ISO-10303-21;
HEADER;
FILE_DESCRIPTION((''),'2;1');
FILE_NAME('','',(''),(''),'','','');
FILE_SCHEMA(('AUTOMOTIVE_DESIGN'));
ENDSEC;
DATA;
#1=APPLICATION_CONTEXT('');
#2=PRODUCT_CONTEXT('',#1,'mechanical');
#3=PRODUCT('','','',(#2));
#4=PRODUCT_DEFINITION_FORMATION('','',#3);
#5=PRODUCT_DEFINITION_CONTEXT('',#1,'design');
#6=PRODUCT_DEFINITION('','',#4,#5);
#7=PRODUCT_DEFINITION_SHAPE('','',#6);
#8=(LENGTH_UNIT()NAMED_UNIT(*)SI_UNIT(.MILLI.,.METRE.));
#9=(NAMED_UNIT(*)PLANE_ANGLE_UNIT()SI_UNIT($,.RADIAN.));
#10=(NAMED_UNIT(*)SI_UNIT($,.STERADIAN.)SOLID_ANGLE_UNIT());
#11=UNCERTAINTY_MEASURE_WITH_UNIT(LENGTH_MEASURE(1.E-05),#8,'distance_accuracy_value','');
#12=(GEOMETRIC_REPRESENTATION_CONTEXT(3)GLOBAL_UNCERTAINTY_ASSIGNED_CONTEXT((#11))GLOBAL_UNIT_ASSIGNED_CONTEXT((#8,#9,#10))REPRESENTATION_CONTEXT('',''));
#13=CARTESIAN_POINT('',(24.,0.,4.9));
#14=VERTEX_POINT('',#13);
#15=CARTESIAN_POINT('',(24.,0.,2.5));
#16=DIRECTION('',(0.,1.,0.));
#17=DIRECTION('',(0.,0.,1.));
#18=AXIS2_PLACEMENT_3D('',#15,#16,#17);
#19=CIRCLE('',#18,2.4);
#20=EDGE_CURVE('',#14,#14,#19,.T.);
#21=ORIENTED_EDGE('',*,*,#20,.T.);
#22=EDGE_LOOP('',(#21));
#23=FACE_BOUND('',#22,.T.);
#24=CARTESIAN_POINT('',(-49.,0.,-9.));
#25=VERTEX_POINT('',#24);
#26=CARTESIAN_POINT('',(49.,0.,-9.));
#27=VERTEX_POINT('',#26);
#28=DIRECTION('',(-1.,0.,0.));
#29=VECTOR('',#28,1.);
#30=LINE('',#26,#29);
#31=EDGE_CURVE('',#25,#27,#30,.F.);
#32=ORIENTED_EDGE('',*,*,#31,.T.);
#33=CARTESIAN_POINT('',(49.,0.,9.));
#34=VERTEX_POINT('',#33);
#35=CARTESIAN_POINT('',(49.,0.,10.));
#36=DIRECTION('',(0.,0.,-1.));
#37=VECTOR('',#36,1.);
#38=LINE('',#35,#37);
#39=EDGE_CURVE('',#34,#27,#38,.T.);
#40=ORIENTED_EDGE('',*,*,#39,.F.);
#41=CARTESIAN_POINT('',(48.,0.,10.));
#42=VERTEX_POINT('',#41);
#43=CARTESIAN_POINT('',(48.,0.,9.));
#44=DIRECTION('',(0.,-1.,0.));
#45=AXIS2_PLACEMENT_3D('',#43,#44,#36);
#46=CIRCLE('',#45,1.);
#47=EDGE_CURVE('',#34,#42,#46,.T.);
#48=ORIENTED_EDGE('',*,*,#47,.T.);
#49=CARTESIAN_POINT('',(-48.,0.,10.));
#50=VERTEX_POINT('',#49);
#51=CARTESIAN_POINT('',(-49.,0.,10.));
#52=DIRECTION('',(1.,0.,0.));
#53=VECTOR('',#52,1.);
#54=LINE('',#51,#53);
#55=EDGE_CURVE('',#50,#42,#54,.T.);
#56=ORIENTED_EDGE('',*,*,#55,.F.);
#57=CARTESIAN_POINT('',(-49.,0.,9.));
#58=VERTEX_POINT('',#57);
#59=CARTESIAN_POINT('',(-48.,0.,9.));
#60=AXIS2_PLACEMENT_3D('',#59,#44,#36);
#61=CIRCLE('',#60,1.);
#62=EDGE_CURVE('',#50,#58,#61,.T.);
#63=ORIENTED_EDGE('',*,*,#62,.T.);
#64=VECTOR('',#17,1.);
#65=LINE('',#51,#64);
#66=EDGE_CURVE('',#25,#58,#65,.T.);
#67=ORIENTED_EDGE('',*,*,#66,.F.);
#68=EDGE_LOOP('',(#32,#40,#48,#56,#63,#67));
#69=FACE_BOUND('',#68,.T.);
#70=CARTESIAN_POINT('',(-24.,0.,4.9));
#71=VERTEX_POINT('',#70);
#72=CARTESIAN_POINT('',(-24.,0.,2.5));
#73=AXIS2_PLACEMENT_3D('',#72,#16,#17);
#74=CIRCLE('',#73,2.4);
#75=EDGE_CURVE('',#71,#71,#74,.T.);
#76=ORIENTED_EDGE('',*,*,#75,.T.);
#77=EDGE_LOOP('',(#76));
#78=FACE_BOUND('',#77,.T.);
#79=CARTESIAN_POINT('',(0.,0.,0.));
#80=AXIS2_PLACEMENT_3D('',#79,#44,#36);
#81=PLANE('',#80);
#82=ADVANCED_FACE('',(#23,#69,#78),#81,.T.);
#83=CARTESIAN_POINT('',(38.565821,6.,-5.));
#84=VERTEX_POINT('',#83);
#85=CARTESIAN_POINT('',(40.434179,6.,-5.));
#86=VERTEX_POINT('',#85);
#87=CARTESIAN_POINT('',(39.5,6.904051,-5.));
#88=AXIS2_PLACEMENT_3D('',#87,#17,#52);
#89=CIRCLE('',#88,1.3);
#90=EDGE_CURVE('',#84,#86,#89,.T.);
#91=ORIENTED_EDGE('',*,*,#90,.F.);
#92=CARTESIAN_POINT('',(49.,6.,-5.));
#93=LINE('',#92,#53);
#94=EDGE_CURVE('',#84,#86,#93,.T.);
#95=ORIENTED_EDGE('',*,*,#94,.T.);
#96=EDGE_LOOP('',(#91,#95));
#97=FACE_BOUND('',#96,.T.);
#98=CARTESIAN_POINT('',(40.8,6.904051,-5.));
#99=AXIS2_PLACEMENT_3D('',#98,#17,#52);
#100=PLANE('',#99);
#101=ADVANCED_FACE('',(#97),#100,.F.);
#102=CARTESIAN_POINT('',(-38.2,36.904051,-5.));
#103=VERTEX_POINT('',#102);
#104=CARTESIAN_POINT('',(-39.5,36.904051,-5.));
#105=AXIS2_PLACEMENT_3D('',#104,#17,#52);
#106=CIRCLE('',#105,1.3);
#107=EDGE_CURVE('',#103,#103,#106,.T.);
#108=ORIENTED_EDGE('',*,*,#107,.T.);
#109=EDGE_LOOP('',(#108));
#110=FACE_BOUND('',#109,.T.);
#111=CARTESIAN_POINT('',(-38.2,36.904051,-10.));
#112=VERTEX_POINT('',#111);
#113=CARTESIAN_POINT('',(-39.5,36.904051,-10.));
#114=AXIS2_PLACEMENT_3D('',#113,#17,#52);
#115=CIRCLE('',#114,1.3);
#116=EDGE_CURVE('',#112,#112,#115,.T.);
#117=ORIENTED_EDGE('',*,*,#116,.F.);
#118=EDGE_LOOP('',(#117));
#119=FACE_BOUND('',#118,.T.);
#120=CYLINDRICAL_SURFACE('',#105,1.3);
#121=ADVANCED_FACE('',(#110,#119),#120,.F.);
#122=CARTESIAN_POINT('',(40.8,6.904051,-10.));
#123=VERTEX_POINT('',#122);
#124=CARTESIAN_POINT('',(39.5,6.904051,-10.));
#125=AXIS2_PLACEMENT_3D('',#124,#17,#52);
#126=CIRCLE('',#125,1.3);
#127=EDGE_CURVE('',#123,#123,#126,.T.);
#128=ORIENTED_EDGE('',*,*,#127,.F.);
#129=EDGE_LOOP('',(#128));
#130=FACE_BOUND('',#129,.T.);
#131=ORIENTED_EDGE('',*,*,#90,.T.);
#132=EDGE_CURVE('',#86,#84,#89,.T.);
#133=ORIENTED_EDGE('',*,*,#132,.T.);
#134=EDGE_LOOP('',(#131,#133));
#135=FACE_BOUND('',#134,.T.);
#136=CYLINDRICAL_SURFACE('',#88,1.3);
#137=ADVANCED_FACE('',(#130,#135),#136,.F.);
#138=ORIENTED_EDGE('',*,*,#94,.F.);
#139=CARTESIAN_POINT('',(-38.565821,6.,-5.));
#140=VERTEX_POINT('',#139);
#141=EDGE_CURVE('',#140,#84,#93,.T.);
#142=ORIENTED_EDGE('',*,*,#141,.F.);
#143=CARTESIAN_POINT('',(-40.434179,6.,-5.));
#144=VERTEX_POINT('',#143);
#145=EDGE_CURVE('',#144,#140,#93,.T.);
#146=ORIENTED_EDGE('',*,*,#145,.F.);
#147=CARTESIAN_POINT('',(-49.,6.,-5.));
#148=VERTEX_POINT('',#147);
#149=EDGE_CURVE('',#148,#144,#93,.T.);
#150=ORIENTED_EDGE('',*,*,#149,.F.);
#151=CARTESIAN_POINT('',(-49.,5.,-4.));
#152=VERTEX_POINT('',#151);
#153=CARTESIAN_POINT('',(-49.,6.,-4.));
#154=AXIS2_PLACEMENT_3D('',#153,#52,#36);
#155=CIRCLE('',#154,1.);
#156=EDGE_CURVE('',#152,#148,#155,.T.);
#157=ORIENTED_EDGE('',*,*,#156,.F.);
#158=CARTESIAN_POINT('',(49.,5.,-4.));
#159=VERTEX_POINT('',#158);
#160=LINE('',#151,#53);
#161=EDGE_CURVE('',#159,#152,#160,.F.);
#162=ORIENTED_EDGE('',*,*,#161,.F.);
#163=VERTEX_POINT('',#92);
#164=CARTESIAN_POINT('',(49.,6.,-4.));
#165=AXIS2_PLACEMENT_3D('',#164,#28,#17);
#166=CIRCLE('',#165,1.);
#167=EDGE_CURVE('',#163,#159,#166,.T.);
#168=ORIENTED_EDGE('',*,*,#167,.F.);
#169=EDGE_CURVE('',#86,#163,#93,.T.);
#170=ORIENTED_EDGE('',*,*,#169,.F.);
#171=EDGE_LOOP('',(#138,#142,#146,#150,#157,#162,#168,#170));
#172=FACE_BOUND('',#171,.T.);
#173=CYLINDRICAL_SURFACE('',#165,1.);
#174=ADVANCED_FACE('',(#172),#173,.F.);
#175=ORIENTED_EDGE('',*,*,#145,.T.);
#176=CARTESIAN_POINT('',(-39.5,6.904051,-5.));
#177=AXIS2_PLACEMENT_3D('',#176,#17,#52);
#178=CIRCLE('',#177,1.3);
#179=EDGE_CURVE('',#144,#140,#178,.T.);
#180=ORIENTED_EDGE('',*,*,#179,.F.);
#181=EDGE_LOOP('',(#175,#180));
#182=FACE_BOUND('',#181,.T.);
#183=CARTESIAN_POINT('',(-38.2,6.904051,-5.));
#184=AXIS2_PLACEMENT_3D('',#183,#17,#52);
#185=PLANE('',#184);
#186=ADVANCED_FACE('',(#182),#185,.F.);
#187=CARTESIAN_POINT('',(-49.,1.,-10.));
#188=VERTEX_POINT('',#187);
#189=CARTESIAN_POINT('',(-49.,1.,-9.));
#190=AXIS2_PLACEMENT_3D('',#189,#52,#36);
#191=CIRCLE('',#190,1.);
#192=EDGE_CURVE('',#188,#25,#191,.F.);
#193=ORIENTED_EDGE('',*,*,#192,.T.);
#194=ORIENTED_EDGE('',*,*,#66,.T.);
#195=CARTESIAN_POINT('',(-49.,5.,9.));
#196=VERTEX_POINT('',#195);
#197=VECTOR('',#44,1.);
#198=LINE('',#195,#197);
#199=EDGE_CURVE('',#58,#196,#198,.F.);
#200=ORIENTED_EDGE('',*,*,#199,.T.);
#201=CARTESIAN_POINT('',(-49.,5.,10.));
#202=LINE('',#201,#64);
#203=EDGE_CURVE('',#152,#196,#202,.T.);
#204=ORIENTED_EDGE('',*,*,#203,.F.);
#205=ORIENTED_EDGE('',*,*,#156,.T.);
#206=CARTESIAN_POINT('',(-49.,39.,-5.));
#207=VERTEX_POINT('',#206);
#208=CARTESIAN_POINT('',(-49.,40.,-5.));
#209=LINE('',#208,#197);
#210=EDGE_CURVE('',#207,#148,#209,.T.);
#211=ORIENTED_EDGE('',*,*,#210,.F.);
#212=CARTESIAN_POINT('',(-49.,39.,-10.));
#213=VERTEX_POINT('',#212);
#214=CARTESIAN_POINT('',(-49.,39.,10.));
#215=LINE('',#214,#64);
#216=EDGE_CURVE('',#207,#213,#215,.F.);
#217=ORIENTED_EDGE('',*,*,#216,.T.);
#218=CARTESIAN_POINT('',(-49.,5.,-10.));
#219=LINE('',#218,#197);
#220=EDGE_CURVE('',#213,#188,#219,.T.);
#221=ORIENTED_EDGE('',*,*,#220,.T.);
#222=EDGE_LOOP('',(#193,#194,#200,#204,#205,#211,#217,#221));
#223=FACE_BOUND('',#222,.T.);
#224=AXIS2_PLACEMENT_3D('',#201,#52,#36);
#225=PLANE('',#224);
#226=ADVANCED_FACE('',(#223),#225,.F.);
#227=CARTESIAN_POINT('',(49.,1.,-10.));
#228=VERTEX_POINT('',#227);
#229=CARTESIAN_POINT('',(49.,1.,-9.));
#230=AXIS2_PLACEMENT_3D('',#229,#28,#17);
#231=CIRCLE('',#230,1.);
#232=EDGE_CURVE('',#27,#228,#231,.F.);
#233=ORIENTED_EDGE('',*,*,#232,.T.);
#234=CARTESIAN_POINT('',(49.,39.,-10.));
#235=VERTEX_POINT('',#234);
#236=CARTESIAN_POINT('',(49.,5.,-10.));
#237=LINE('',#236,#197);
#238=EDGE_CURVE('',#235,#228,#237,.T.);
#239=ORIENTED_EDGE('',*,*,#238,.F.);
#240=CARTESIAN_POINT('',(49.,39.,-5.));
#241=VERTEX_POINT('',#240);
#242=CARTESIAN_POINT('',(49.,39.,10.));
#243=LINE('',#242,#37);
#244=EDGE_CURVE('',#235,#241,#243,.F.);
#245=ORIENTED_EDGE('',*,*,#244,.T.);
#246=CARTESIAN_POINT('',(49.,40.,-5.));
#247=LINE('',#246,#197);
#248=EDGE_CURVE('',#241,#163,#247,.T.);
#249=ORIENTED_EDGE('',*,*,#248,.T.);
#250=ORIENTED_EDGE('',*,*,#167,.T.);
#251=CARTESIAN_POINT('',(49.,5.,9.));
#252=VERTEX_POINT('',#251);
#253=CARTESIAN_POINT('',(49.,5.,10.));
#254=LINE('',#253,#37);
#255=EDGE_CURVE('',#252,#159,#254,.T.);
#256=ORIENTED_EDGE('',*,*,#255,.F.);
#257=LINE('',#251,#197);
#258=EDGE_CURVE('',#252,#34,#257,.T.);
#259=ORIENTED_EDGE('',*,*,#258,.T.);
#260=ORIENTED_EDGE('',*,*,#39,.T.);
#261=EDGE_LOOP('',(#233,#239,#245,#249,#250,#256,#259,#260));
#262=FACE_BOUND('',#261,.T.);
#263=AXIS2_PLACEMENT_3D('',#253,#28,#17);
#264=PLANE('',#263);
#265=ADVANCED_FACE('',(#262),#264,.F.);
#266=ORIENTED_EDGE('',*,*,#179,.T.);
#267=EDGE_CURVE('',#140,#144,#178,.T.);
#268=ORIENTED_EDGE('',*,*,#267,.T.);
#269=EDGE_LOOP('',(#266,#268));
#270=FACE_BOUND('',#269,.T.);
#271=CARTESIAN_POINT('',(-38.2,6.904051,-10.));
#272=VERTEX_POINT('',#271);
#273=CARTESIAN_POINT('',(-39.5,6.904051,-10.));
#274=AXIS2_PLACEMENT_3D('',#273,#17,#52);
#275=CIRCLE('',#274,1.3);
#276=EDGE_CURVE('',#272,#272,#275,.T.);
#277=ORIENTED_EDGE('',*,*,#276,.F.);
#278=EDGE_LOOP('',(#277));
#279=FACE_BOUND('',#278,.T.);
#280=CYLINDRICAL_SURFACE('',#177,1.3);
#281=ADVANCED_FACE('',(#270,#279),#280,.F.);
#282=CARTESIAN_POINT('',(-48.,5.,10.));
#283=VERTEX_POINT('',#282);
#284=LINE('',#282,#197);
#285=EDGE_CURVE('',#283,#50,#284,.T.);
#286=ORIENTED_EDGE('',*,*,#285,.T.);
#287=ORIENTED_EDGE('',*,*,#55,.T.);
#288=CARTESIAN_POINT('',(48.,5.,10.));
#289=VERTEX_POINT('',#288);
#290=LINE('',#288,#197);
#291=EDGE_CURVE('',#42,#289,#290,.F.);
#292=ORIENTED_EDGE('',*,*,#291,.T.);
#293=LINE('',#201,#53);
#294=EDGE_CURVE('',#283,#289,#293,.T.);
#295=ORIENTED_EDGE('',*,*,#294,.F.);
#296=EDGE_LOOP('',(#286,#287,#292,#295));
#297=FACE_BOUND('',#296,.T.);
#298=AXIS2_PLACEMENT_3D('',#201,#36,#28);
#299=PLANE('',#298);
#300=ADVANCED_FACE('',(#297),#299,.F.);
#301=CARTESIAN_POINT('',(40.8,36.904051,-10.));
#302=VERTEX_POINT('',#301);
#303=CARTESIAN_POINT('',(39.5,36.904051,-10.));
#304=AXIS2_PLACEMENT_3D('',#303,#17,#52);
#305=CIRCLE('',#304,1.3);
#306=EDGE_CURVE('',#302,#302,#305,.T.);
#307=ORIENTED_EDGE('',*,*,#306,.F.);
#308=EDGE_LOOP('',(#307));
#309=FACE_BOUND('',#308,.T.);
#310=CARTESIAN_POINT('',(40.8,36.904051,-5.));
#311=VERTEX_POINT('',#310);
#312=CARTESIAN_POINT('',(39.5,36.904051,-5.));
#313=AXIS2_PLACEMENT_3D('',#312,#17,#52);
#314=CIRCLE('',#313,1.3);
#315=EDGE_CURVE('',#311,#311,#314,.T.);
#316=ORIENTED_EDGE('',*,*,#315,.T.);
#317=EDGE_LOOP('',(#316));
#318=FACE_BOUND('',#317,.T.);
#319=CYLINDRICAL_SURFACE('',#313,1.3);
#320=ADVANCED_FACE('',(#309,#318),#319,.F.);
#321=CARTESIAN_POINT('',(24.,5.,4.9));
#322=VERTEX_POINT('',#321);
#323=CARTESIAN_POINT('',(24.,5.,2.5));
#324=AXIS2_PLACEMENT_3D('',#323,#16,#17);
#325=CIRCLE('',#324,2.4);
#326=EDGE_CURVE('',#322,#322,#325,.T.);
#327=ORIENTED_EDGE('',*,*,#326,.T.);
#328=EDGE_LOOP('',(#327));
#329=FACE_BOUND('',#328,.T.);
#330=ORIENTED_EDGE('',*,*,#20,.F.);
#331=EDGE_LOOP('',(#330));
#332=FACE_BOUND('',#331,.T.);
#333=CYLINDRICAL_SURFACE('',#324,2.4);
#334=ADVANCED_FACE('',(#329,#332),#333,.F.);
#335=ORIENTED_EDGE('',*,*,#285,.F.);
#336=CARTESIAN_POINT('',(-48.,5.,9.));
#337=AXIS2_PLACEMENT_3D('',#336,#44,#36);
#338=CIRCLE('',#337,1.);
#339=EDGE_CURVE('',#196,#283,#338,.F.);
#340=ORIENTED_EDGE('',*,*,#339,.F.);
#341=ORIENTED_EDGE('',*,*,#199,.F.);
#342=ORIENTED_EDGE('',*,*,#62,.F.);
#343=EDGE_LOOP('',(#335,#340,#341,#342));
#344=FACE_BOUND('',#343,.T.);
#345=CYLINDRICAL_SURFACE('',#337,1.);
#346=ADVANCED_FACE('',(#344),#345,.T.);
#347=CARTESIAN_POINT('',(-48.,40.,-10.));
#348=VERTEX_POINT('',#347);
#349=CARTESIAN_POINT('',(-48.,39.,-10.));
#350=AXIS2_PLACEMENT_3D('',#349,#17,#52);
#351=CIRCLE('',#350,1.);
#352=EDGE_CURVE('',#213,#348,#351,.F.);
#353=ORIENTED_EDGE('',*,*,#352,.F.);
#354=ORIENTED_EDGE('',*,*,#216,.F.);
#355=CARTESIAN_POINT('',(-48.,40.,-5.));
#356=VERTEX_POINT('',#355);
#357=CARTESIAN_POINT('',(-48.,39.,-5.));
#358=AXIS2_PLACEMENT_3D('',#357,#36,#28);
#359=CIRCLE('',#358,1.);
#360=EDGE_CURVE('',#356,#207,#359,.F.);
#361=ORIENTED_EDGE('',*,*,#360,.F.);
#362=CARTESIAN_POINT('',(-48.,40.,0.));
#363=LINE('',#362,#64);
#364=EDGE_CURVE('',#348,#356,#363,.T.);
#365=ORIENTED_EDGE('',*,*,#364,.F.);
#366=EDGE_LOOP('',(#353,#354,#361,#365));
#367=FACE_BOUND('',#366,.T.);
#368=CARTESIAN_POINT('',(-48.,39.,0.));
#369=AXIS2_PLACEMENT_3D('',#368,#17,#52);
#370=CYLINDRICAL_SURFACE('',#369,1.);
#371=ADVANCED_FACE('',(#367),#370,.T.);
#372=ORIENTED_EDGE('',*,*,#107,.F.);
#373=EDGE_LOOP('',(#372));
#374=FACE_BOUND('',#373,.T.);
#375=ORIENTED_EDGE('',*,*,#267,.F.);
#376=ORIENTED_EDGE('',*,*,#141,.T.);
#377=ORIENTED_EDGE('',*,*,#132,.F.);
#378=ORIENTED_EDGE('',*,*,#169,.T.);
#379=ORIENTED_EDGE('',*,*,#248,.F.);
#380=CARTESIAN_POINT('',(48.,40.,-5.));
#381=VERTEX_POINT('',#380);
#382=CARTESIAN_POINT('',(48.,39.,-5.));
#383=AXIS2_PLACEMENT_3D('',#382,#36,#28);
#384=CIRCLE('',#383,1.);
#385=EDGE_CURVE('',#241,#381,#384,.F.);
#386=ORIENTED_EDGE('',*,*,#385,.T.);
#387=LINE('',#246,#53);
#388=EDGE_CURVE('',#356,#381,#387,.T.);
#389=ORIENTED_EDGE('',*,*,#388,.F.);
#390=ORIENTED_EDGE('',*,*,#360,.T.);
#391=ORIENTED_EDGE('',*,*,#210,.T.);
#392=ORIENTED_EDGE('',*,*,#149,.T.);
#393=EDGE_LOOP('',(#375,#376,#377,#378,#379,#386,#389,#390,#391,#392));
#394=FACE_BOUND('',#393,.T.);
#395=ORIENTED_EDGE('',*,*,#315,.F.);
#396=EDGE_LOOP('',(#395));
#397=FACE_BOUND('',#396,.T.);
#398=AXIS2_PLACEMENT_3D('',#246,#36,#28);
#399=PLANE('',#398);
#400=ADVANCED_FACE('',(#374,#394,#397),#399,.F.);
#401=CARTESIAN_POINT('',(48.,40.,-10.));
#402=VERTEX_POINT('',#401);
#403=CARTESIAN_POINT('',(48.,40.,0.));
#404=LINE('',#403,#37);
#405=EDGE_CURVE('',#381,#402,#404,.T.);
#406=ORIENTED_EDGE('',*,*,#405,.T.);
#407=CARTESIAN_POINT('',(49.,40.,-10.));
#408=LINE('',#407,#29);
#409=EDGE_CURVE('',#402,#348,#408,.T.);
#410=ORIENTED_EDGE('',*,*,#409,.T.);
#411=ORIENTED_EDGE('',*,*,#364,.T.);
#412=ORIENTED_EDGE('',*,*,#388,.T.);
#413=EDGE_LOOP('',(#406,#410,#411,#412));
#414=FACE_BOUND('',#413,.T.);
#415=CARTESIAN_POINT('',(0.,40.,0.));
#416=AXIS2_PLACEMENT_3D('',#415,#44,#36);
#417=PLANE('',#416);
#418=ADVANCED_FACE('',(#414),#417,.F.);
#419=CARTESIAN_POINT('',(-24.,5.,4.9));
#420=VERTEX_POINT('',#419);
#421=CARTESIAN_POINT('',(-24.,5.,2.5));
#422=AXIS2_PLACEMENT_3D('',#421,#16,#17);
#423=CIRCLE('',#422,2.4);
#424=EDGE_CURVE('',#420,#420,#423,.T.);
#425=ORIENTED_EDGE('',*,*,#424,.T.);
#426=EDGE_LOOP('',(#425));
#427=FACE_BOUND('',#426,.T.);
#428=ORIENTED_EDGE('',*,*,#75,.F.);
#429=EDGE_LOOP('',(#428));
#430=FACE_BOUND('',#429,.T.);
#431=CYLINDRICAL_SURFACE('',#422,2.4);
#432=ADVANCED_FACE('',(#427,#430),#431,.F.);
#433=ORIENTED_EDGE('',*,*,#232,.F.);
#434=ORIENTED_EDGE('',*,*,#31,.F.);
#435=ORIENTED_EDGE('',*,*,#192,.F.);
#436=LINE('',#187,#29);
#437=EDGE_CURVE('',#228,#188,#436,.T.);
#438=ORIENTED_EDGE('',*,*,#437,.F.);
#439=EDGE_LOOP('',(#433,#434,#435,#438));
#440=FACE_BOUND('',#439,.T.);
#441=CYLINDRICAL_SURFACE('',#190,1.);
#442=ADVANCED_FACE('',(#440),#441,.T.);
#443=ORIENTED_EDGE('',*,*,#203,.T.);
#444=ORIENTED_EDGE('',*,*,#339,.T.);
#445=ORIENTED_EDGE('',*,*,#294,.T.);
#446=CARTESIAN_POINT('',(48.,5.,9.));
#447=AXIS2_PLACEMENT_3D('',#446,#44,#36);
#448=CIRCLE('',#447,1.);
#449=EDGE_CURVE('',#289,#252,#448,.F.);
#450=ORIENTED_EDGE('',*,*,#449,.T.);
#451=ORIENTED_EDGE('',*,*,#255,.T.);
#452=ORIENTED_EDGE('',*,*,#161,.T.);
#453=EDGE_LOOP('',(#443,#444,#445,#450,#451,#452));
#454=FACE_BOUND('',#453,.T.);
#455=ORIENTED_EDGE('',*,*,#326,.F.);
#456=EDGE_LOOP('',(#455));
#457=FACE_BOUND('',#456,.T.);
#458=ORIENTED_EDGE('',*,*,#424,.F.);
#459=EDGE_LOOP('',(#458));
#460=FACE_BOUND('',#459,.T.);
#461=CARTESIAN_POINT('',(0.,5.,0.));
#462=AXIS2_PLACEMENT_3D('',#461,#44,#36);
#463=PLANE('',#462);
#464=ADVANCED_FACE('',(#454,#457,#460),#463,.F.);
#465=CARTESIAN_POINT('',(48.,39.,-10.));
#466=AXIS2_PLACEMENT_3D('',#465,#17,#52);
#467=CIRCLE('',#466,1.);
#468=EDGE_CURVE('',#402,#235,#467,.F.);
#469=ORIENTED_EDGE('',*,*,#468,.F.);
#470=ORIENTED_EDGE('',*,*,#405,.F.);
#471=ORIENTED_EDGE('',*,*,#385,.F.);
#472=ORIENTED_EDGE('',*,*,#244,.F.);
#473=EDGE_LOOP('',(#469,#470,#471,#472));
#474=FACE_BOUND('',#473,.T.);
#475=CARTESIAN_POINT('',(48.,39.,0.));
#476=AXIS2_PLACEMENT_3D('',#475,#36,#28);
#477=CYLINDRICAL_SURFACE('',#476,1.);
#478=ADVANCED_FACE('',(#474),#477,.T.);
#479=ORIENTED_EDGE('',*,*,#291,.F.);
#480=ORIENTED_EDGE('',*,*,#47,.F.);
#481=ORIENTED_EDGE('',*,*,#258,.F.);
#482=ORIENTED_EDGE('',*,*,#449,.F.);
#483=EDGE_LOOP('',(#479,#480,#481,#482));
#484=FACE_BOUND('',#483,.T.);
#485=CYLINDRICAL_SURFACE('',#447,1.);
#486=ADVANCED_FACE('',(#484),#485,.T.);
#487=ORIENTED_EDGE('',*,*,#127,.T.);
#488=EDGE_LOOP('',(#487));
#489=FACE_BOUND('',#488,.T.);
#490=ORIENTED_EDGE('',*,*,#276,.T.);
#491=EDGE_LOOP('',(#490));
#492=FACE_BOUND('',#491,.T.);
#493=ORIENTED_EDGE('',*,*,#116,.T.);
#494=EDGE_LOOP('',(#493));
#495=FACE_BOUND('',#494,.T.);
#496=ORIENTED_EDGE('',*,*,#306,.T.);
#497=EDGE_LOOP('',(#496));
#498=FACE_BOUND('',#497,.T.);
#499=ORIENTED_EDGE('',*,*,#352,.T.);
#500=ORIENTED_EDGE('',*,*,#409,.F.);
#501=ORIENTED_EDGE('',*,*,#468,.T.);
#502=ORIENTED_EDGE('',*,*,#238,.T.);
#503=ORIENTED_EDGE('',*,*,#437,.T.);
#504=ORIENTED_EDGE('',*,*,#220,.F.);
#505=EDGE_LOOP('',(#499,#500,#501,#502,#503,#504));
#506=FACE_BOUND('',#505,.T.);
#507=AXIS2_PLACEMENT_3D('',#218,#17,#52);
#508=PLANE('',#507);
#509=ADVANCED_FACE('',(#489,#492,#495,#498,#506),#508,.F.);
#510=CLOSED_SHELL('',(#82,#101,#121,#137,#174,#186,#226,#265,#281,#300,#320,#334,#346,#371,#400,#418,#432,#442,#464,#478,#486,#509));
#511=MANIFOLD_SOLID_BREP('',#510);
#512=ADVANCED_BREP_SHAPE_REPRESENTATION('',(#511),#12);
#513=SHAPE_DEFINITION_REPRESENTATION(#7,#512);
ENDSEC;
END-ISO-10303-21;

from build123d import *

# Parameters (mm, degrees)
SKETCH1_W                     = 98
SKETCH1_H                     = 20
BOSS_EXTRUDE1_DEPTH           = 5
SKETCH2_W                     = 98
SKETCH2_H                     = 5
BOSS_EXTRUDE2_DEPTH           = 35
FILLET1_R                     = 1
SKETCH5_W                     = 1.3
SKETCH5_H                     = 5
M2_CLEARANCE_HOLE1_AT_2_COUNT = 2
M2_CLEARANCE_HOLE1_AT_2_PITCH = 30
M2_CLEARANCE_HOLE1_AT_3_COUNT = 2
M2_CLEARANCE_HOLE1_AT_3_PITCH = 79
M2_CLEARANCE_HOLE1_AT_4_COUNT = 2
M2_CLEARANCE_HOLE1_AT_4_PITCH = 84.504437753
M4_CLEARANCE_HOLE1_D          = 4.8


with BuildPart() as part:
    # Sketch1 → Boss-Extrude1 (new body)
    with BuildSketch(Plane(origin=(0, 0, 0), x_dir=(1, 0, 0), z_dir=(0, 1, 0))):
        Rectangle(SKETCH1_W, SKETCH1_H)
    extrude(amount=BOSS_EXTRUDE1_DEPTH)

    # Sketch2 → Boss-Extrude2 (add)
    with BuildSketch(Plane(origin=(0, 5, 0), x_dir=(1, 0, 0), z_dir=(0, 1, 0))):
        with Locations((0, 7.5)):
            Rectangle(SKETCH2_W, SKETCH2_H)
    extrude(amount=BOSS_EXTRUDE2_DEPTH)

    # Fillet1
    fillet1_edges = [part.edges().sort_by_distance(p)[0] for p in [
        (0, 5, -5),
        (49, 40, -7.5),
        (-49, 40, -7.5),
        (0, 0, -10),
        (49, 2.5, 10),
        (-49, 2.5, 10),
    ]]
    fillet(fillet1_edges, radius=FILLET1_R)

    # Sketch5 → M2 Clearance Hole1 (revolve, cut)
    with BuildSketch(Plane(origin=(39.5, 36.904051391, -5), x_dir=(0, -1, 0), z_dir=(1, 0, 0))):
        with Locations((0.65, 2.5)):
            Rectangle(SKETCH5_W, SKETCH5_H)
    m2_clearance_hole1 = revolve(axis=Axis((39.5, 36.904051391, 1.35), (0, 0, -1)), mode=Mode.SUBTRACT)

    # M2 Clearance Hole1 at 2: M2 Clearance Hole1 ×2
    with Locations(*[(0, -i * M2_CLEARANCE_HOLE1_AT_2_PITCH, 0) for i in range(1, M2_CLEARANCE_HOLE1_AT_2_COUNT)]):
        add(m2_clearance_hole1, mode=Mode.SUBTRACT)

    # M2 Clearance Hole1 at 3: M2 Clearance Hole1 ×2
    with Locations(*[(-i * M2_CLEARANCE_HOLE1_AT_3_PITCH, 0, 0) for i in range(1, M2_CLEARANCE_HOLE1_AT_3_COUNT)]):
        add(m2_clearance_hole1, mode=Mode.SUBTRACT)

    # M2 Clearance Hole1 at 4: M2 Clearance Hole1 ×2
    with Locations(*[Vector(-0.93486214570929, -0.35501094140860234, 0) * (i * M2_CLEARANCE_HOLE1_AT_4_PITCH) for i in range(1, M2_CLEARANCE_HOLE1_AT_4_COUNT)]):
        add(m2_clearance_hole1, mode=Mode.SUBTRACT)

    # M4 Clearance Hole1 (through all)
    with Locations(Plane(origin=(-24, 5, 2.5), x_dir=(0, 0, 1), z_dir=(0, 1, 0))):
        with Locations((0, 0), (0, 48)):
            Hole(M4_CLEARANCE_HOLE1_D / 2)


solid = part.part
